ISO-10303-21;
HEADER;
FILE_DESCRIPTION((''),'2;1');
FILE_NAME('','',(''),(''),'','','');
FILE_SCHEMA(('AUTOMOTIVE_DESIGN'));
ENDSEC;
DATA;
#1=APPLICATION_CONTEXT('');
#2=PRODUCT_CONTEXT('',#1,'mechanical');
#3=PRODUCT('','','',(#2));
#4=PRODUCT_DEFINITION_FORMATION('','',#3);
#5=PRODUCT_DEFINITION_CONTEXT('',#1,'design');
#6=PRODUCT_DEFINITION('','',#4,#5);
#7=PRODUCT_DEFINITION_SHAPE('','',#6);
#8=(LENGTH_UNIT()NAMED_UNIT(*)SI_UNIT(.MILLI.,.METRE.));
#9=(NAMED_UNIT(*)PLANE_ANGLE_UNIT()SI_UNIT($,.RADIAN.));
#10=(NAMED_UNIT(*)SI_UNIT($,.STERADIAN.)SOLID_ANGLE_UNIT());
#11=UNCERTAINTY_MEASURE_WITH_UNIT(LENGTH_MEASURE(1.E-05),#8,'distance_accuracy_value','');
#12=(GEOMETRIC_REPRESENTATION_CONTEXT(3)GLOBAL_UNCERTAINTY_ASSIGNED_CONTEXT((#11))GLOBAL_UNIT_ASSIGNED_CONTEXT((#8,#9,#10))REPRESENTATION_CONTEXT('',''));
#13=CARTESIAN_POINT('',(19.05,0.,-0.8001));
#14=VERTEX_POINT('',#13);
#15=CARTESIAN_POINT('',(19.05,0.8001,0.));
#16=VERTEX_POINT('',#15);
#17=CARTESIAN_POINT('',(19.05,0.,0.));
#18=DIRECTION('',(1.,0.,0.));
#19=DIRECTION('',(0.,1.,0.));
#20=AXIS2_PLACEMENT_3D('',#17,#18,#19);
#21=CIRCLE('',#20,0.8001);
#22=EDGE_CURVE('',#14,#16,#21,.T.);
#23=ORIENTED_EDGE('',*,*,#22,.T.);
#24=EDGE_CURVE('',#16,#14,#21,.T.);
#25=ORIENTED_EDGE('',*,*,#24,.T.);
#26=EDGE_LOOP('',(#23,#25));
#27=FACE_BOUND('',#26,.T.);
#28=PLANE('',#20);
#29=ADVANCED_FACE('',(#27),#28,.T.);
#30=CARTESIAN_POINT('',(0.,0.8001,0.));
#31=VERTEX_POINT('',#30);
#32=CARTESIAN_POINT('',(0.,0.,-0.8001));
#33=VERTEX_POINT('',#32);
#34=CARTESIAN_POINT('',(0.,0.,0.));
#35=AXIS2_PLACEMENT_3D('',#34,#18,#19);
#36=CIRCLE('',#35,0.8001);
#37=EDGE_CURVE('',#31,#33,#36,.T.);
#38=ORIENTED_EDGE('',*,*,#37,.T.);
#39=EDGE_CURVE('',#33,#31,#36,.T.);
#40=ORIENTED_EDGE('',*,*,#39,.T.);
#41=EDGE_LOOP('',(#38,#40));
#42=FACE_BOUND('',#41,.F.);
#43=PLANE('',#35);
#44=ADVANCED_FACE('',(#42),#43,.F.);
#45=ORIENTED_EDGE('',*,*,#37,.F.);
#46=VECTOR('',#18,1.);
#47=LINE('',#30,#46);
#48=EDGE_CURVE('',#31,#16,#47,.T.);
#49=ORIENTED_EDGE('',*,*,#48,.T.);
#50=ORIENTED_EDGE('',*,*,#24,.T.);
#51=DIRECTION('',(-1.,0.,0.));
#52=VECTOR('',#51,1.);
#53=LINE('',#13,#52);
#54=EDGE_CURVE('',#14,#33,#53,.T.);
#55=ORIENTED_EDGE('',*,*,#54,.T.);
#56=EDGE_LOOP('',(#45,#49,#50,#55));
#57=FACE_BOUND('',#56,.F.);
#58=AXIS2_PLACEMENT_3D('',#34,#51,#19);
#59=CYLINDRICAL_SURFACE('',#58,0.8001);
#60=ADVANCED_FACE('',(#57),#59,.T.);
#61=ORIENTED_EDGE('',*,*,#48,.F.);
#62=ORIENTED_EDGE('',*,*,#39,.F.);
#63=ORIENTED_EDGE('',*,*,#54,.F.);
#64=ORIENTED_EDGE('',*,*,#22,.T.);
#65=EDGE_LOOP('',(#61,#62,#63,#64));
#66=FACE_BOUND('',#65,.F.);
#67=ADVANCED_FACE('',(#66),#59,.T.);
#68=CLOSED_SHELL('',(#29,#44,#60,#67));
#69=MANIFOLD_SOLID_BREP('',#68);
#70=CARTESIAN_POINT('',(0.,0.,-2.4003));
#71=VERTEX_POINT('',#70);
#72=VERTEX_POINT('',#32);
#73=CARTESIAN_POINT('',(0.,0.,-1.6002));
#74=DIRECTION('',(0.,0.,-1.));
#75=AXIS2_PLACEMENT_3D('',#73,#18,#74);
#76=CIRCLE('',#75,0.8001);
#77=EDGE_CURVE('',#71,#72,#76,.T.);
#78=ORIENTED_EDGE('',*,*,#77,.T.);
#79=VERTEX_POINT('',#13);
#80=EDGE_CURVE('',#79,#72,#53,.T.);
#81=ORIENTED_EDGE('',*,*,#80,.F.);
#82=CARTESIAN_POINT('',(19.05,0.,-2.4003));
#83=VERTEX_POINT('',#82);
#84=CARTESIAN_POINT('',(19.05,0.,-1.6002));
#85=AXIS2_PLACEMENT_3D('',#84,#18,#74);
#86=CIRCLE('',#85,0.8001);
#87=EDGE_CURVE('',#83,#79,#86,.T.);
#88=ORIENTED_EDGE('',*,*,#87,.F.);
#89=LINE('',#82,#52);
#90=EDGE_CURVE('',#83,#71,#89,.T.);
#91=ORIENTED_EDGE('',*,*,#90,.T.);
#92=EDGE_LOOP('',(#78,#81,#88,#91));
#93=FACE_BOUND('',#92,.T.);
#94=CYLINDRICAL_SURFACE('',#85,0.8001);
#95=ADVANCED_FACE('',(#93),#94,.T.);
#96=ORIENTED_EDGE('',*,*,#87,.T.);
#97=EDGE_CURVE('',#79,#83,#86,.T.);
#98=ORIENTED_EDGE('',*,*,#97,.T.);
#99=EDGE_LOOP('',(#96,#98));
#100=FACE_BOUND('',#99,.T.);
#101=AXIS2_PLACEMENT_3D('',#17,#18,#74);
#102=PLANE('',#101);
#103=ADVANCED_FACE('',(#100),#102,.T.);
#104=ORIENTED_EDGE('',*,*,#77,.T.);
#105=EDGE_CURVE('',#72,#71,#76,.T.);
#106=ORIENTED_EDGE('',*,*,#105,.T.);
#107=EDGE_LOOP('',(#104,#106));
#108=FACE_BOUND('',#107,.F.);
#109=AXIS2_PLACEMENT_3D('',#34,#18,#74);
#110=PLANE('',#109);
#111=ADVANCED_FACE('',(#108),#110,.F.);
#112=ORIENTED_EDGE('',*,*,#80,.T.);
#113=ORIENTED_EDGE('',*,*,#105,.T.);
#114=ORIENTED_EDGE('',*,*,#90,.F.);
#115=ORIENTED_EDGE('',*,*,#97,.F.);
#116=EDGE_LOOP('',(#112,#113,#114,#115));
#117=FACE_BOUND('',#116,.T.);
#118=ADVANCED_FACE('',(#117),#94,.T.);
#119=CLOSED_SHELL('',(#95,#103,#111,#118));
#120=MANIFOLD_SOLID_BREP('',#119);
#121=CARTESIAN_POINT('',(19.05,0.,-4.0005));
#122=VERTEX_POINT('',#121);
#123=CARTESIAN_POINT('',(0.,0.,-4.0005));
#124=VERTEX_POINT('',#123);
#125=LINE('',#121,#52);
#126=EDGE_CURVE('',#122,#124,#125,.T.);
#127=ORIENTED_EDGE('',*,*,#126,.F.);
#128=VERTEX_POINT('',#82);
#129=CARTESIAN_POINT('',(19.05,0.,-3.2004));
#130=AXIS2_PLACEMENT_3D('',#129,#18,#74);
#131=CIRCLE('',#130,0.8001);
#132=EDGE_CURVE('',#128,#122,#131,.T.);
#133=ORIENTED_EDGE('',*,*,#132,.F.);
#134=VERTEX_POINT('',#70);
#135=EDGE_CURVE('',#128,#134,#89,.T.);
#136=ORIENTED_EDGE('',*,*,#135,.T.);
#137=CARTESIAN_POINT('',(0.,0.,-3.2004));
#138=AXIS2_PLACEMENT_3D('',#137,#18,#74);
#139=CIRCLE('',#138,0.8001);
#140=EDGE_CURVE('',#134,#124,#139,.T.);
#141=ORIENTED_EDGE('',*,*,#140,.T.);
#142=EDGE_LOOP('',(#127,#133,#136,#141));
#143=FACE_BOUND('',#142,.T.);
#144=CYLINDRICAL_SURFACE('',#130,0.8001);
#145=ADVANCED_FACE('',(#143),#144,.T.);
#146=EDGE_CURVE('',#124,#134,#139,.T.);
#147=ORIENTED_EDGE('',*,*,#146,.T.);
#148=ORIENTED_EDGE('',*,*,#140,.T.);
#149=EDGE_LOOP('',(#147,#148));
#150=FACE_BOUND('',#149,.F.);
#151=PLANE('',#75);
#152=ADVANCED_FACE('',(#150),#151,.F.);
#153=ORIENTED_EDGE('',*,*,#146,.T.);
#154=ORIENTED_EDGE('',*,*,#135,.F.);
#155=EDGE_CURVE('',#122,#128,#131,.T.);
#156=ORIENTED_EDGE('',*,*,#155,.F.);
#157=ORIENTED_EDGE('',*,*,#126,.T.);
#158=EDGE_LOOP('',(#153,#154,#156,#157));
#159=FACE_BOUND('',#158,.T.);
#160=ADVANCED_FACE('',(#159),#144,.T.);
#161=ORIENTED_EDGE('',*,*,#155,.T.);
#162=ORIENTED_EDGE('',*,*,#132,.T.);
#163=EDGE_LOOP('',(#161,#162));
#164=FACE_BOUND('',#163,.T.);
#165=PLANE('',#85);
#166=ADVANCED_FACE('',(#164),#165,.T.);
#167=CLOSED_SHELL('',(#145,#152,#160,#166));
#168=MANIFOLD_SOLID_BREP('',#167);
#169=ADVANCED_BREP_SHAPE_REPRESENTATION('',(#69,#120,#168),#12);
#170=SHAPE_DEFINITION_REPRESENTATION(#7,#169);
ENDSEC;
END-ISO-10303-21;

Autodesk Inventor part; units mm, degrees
ref_plane "YZ Plane" through (0, 0, 0) normal (1, 0, 0) x (0, 1, 0)
ref_plane "XZ Plane" through (0, 0, 0) normal (0, 1, 0) x (-1, 0, 0)
ref_plane "XY Plane" through (0, 0, 0) normal (0, 0, 1) x (1, 0, 0)
sketch "Sketch1" plane through (0, 0, 0) normal (1, 0, 0) x (0, 1, 0)
  circle A0 centre (0, 0) radius 0.8001
  dimension "d0" = 1.6002
extrude "Extrusion1" add sketch "Sketch1" along normal blind 19.05
sketch "Sketch2" plane through (19.05, 0, 0) normal (1, 0, 0) x (0, 0, -1)
  circle A0 centre (1.6002, 0) radius 0.8001
  circle A1 centre (0, 0) radius 0.8001 projected
  dimension "d3" = 1.6002
extrude "Extrusion2" add sketch "Sketch2" against normal blind 19.05 contours A0
sketch "Sketch3" plane through (19.05, 0, -1.6002) normal (1, 0, 0) x (0, 0, -1)
  circle A0 centre (1.6002, 0) radius 0.8001
  circle A1 centre (0, 0) radius 0.8001 projected
  point P0 (-0.8001, 0)
  dimension "d6" = 1.6002
extrude "Extrusion3" add sketch "Sketch3" against normal blind 19.05 contours A0
properties material "Copper"
